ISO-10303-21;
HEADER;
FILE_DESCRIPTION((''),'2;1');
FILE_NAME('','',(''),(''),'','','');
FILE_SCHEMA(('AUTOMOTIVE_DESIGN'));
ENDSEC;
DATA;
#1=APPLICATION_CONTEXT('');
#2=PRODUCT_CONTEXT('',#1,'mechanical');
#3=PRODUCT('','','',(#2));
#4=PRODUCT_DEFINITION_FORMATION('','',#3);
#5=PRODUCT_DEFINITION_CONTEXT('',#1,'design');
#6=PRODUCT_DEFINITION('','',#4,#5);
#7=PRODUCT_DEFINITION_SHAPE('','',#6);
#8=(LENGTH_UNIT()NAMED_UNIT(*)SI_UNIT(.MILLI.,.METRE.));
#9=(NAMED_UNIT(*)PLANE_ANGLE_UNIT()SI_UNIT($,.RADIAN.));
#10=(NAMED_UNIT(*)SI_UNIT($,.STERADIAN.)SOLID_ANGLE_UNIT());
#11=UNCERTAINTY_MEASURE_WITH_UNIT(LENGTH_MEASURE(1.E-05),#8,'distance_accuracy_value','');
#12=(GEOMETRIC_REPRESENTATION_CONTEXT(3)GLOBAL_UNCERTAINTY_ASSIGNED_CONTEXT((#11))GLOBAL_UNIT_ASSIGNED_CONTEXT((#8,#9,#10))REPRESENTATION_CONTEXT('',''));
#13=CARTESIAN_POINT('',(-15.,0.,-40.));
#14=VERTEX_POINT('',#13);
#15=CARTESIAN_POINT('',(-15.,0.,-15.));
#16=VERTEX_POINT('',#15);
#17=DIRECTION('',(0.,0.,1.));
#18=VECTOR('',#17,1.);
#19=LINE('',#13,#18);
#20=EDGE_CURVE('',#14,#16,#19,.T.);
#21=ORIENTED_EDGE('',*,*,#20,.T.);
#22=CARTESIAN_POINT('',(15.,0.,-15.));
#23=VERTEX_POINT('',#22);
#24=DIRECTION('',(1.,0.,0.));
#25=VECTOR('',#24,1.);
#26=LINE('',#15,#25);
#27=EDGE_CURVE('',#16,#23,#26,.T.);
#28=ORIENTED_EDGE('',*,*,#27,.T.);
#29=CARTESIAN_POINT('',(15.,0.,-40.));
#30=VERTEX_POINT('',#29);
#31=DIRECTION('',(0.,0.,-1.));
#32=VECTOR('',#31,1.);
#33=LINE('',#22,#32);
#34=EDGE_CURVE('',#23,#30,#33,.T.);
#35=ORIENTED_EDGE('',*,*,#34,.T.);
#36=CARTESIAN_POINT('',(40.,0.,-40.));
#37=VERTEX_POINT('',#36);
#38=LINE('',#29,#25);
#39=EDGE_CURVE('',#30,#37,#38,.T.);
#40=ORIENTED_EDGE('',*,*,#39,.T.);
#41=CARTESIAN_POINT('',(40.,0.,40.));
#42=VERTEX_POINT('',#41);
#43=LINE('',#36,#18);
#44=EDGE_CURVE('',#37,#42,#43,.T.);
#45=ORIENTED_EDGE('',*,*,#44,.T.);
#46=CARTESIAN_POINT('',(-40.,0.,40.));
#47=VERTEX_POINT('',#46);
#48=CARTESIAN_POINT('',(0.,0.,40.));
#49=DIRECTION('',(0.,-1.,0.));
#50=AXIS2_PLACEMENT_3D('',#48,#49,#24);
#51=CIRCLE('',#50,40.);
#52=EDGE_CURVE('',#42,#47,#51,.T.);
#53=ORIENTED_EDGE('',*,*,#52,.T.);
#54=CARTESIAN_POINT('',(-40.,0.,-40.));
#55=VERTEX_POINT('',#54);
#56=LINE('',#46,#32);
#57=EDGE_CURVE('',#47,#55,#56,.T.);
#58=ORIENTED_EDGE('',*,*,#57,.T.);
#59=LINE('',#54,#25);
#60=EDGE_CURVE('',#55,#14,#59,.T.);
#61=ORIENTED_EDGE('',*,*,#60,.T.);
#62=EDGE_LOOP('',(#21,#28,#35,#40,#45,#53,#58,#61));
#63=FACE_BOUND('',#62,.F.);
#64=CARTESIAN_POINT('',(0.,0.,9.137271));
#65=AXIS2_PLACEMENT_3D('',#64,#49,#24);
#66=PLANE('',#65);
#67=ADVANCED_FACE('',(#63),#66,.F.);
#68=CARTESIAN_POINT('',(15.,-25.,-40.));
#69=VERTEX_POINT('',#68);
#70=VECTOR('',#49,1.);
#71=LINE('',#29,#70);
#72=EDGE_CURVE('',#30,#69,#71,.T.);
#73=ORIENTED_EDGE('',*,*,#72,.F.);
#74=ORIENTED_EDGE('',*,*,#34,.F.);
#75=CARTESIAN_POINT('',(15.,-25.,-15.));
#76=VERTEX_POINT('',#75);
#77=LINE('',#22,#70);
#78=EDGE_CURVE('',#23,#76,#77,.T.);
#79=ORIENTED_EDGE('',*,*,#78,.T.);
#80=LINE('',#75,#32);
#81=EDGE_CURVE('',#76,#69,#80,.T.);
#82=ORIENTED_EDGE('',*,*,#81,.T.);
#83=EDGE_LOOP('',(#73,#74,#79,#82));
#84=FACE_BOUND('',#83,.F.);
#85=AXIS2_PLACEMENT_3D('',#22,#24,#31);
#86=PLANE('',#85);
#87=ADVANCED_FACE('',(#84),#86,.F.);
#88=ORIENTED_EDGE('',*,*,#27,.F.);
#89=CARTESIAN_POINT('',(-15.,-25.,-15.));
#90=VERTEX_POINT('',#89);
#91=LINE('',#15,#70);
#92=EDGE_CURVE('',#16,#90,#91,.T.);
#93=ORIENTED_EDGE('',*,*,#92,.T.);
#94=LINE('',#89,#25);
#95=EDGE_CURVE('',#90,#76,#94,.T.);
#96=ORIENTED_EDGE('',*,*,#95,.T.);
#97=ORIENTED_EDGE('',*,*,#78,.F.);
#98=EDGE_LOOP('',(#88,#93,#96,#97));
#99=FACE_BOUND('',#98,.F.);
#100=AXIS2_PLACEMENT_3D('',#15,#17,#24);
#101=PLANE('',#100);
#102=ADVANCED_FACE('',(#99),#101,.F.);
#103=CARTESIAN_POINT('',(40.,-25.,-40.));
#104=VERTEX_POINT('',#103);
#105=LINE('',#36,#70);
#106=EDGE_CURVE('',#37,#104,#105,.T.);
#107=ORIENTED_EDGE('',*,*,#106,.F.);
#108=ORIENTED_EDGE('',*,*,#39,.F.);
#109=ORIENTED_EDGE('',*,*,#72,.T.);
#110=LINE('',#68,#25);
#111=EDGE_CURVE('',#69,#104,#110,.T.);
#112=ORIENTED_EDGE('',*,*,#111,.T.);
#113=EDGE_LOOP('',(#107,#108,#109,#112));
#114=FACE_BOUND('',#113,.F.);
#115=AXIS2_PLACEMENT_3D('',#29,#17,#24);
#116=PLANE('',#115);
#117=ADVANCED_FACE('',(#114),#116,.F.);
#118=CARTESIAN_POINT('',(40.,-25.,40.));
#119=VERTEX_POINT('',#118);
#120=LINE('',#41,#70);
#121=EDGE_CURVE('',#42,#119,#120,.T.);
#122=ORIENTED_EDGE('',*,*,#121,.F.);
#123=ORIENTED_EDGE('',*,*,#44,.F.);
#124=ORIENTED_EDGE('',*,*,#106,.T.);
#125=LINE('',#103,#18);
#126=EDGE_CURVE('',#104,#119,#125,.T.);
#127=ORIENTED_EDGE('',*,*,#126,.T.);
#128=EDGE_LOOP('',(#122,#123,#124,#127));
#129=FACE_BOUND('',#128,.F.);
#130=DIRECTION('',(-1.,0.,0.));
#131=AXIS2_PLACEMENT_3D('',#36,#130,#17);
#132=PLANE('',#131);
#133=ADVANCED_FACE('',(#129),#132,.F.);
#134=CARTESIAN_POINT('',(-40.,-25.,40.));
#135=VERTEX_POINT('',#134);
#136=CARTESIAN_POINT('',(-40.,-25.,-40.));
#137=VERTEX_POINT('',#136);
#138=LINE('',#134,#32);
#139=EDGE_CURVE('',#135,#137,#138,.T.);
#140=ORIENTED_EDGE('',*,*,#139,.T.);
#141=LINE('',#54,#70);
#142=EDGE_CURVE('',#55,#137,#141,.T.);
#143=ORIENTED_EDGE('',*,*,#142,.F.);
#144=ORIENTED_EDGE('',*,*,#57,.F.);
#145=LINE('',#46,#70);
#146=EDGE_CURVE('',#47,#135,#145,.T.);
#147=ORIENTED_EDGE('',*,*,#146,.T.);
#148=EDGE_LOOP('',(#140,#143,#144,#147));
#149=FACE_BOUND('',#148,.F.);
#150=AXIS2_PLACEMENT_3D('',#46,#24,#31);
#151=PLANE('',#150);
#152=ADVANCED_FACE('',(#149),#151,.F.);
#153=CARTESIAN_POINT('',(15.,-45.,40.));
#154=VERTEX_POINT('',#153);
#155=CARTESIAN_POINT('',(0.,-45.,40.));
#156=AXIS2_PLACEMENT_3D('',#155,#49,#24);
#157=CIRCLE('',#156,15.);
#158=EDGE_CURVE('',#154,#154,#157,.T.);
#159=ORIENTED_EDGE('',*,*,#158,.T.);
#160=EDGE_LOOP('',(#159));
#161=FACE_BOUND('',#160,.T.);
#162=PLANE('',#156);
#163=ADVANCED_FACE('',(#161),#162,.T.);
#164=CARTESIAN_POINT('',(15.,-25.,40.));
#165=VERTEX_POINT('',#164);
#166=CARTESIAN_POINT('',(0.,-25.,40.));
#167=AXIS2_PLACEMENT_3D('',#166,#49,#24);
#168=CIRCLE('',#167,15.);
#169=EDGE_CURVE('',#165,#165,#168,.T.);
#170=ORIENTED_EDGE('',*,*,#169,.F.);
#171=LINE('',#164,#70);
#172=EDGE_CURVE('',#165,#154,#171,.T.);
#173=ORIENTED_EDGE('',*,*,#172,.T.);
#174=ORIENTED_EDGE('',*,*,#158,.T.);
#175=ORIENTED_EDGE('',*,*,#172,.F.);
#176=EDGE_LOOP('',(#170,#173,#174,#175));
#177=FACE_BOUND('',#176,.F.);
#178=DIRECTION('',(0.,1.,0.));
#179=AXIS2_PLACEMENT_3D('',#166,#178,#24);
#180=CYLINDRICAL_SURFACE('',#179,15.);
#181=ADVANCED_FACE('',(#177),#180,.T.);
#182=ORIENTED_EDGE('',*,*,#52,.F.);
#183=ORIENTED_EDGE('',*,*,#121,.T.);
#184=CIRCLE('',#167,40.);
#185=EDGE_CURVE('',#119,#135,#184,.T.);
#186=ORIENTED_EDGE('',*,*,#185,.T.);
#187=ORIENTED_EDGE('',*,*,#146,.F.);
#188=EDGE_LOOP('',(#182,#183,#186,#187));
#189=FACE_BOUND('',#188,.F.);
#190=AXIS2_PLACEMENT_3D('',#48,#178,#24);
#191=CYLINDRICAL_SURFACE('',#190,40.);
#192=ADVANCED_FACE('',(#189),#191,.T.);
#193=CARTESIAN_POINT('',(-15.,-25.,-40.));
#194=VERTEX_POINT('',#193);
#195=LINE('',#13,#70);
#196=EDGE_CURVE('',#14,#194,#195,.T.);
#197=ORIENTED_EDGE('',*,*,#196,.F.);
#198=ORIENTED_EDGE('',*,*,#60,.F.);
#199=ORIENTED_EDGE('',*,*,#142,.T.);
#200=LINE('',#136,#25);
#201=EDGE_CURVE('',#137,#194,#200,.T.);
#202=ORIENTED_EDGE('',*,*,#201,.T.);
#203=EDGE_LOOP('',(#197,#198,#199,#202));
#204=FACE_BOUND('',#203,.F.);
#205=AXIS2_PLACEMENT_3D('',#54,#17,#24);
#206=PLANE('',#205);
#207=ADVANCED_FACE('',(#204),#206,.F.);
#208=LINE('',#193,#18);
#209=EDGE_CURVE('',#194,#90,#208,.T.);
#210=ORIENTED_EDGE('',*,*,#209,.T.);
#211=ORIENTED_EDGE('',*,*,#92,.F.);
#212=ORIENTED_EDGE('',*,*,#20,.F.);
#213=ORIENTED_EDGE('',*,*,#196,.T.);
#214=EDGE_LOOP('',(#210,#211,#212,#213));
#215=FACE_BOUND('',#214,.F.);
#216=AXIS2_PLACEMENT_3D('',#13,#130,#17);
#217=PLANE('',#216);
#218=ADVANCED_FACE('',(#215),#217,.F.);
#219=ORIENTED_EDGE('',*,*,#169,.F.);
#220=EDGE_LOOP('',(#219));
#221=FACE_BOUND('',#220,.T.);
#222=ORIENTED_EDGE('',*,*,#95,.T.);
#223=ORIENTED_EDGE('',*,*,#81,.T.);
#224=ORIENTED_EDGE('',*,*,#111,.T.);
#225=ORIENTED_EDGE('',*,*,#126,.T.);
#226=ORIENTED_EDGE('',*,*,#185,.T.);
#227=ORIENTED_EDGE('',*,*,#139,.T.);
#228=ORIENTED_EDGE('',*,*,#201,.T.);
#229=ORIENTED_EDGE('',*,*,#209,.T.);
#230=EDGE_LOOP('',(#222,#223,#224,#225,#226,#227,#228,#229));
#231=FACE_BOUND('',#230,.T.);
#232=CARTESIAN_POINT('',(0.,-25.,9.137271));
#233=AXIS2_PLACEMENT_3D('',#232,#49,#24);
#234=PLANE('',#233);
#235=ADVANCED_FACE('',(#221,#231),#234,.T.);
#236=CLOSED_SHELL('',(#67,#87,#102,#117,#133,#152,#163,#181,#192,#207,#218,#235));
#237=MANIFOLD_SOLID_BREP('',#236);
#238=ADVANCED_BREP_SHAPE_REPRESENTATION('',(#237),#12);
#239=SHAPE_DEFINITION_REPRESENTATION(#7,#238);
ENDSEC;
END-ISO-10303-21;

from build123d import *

# Parameters (mm, degrees)
F1_DEPTH = 25
F2_R     = 15
F3_DEPTH = 20


with BuildPart() as f1:
    # F0 (on Front) → F1 (new body)
    with BuildSketch(Plane.XZ):
        with BuildLine():
            Line((15, -40), (40, -40))
            Line((40, -40), (40, 40))
            ThreePointArc((40, 40), (0, 80), (-40, 40))
            Line((-40, 40), (-40, -40))
            Line((-40, -40), (-15, -40))
            Line((-15, -40), (-15, -15))
            Line((-15, -15), (15, -15))
            Line((15, -15), (15, -40))
        make_face()
    extrude(amount=F1_DEPTH)

    # F2 (on face) → F3 (join)
    with BuildSketch(Plane.XZ.offset(25)):
        with Locations((0, 40)):
            Circle(F2_R)
    extrude(amount=F3_DEPTH)


solid = f1.part
